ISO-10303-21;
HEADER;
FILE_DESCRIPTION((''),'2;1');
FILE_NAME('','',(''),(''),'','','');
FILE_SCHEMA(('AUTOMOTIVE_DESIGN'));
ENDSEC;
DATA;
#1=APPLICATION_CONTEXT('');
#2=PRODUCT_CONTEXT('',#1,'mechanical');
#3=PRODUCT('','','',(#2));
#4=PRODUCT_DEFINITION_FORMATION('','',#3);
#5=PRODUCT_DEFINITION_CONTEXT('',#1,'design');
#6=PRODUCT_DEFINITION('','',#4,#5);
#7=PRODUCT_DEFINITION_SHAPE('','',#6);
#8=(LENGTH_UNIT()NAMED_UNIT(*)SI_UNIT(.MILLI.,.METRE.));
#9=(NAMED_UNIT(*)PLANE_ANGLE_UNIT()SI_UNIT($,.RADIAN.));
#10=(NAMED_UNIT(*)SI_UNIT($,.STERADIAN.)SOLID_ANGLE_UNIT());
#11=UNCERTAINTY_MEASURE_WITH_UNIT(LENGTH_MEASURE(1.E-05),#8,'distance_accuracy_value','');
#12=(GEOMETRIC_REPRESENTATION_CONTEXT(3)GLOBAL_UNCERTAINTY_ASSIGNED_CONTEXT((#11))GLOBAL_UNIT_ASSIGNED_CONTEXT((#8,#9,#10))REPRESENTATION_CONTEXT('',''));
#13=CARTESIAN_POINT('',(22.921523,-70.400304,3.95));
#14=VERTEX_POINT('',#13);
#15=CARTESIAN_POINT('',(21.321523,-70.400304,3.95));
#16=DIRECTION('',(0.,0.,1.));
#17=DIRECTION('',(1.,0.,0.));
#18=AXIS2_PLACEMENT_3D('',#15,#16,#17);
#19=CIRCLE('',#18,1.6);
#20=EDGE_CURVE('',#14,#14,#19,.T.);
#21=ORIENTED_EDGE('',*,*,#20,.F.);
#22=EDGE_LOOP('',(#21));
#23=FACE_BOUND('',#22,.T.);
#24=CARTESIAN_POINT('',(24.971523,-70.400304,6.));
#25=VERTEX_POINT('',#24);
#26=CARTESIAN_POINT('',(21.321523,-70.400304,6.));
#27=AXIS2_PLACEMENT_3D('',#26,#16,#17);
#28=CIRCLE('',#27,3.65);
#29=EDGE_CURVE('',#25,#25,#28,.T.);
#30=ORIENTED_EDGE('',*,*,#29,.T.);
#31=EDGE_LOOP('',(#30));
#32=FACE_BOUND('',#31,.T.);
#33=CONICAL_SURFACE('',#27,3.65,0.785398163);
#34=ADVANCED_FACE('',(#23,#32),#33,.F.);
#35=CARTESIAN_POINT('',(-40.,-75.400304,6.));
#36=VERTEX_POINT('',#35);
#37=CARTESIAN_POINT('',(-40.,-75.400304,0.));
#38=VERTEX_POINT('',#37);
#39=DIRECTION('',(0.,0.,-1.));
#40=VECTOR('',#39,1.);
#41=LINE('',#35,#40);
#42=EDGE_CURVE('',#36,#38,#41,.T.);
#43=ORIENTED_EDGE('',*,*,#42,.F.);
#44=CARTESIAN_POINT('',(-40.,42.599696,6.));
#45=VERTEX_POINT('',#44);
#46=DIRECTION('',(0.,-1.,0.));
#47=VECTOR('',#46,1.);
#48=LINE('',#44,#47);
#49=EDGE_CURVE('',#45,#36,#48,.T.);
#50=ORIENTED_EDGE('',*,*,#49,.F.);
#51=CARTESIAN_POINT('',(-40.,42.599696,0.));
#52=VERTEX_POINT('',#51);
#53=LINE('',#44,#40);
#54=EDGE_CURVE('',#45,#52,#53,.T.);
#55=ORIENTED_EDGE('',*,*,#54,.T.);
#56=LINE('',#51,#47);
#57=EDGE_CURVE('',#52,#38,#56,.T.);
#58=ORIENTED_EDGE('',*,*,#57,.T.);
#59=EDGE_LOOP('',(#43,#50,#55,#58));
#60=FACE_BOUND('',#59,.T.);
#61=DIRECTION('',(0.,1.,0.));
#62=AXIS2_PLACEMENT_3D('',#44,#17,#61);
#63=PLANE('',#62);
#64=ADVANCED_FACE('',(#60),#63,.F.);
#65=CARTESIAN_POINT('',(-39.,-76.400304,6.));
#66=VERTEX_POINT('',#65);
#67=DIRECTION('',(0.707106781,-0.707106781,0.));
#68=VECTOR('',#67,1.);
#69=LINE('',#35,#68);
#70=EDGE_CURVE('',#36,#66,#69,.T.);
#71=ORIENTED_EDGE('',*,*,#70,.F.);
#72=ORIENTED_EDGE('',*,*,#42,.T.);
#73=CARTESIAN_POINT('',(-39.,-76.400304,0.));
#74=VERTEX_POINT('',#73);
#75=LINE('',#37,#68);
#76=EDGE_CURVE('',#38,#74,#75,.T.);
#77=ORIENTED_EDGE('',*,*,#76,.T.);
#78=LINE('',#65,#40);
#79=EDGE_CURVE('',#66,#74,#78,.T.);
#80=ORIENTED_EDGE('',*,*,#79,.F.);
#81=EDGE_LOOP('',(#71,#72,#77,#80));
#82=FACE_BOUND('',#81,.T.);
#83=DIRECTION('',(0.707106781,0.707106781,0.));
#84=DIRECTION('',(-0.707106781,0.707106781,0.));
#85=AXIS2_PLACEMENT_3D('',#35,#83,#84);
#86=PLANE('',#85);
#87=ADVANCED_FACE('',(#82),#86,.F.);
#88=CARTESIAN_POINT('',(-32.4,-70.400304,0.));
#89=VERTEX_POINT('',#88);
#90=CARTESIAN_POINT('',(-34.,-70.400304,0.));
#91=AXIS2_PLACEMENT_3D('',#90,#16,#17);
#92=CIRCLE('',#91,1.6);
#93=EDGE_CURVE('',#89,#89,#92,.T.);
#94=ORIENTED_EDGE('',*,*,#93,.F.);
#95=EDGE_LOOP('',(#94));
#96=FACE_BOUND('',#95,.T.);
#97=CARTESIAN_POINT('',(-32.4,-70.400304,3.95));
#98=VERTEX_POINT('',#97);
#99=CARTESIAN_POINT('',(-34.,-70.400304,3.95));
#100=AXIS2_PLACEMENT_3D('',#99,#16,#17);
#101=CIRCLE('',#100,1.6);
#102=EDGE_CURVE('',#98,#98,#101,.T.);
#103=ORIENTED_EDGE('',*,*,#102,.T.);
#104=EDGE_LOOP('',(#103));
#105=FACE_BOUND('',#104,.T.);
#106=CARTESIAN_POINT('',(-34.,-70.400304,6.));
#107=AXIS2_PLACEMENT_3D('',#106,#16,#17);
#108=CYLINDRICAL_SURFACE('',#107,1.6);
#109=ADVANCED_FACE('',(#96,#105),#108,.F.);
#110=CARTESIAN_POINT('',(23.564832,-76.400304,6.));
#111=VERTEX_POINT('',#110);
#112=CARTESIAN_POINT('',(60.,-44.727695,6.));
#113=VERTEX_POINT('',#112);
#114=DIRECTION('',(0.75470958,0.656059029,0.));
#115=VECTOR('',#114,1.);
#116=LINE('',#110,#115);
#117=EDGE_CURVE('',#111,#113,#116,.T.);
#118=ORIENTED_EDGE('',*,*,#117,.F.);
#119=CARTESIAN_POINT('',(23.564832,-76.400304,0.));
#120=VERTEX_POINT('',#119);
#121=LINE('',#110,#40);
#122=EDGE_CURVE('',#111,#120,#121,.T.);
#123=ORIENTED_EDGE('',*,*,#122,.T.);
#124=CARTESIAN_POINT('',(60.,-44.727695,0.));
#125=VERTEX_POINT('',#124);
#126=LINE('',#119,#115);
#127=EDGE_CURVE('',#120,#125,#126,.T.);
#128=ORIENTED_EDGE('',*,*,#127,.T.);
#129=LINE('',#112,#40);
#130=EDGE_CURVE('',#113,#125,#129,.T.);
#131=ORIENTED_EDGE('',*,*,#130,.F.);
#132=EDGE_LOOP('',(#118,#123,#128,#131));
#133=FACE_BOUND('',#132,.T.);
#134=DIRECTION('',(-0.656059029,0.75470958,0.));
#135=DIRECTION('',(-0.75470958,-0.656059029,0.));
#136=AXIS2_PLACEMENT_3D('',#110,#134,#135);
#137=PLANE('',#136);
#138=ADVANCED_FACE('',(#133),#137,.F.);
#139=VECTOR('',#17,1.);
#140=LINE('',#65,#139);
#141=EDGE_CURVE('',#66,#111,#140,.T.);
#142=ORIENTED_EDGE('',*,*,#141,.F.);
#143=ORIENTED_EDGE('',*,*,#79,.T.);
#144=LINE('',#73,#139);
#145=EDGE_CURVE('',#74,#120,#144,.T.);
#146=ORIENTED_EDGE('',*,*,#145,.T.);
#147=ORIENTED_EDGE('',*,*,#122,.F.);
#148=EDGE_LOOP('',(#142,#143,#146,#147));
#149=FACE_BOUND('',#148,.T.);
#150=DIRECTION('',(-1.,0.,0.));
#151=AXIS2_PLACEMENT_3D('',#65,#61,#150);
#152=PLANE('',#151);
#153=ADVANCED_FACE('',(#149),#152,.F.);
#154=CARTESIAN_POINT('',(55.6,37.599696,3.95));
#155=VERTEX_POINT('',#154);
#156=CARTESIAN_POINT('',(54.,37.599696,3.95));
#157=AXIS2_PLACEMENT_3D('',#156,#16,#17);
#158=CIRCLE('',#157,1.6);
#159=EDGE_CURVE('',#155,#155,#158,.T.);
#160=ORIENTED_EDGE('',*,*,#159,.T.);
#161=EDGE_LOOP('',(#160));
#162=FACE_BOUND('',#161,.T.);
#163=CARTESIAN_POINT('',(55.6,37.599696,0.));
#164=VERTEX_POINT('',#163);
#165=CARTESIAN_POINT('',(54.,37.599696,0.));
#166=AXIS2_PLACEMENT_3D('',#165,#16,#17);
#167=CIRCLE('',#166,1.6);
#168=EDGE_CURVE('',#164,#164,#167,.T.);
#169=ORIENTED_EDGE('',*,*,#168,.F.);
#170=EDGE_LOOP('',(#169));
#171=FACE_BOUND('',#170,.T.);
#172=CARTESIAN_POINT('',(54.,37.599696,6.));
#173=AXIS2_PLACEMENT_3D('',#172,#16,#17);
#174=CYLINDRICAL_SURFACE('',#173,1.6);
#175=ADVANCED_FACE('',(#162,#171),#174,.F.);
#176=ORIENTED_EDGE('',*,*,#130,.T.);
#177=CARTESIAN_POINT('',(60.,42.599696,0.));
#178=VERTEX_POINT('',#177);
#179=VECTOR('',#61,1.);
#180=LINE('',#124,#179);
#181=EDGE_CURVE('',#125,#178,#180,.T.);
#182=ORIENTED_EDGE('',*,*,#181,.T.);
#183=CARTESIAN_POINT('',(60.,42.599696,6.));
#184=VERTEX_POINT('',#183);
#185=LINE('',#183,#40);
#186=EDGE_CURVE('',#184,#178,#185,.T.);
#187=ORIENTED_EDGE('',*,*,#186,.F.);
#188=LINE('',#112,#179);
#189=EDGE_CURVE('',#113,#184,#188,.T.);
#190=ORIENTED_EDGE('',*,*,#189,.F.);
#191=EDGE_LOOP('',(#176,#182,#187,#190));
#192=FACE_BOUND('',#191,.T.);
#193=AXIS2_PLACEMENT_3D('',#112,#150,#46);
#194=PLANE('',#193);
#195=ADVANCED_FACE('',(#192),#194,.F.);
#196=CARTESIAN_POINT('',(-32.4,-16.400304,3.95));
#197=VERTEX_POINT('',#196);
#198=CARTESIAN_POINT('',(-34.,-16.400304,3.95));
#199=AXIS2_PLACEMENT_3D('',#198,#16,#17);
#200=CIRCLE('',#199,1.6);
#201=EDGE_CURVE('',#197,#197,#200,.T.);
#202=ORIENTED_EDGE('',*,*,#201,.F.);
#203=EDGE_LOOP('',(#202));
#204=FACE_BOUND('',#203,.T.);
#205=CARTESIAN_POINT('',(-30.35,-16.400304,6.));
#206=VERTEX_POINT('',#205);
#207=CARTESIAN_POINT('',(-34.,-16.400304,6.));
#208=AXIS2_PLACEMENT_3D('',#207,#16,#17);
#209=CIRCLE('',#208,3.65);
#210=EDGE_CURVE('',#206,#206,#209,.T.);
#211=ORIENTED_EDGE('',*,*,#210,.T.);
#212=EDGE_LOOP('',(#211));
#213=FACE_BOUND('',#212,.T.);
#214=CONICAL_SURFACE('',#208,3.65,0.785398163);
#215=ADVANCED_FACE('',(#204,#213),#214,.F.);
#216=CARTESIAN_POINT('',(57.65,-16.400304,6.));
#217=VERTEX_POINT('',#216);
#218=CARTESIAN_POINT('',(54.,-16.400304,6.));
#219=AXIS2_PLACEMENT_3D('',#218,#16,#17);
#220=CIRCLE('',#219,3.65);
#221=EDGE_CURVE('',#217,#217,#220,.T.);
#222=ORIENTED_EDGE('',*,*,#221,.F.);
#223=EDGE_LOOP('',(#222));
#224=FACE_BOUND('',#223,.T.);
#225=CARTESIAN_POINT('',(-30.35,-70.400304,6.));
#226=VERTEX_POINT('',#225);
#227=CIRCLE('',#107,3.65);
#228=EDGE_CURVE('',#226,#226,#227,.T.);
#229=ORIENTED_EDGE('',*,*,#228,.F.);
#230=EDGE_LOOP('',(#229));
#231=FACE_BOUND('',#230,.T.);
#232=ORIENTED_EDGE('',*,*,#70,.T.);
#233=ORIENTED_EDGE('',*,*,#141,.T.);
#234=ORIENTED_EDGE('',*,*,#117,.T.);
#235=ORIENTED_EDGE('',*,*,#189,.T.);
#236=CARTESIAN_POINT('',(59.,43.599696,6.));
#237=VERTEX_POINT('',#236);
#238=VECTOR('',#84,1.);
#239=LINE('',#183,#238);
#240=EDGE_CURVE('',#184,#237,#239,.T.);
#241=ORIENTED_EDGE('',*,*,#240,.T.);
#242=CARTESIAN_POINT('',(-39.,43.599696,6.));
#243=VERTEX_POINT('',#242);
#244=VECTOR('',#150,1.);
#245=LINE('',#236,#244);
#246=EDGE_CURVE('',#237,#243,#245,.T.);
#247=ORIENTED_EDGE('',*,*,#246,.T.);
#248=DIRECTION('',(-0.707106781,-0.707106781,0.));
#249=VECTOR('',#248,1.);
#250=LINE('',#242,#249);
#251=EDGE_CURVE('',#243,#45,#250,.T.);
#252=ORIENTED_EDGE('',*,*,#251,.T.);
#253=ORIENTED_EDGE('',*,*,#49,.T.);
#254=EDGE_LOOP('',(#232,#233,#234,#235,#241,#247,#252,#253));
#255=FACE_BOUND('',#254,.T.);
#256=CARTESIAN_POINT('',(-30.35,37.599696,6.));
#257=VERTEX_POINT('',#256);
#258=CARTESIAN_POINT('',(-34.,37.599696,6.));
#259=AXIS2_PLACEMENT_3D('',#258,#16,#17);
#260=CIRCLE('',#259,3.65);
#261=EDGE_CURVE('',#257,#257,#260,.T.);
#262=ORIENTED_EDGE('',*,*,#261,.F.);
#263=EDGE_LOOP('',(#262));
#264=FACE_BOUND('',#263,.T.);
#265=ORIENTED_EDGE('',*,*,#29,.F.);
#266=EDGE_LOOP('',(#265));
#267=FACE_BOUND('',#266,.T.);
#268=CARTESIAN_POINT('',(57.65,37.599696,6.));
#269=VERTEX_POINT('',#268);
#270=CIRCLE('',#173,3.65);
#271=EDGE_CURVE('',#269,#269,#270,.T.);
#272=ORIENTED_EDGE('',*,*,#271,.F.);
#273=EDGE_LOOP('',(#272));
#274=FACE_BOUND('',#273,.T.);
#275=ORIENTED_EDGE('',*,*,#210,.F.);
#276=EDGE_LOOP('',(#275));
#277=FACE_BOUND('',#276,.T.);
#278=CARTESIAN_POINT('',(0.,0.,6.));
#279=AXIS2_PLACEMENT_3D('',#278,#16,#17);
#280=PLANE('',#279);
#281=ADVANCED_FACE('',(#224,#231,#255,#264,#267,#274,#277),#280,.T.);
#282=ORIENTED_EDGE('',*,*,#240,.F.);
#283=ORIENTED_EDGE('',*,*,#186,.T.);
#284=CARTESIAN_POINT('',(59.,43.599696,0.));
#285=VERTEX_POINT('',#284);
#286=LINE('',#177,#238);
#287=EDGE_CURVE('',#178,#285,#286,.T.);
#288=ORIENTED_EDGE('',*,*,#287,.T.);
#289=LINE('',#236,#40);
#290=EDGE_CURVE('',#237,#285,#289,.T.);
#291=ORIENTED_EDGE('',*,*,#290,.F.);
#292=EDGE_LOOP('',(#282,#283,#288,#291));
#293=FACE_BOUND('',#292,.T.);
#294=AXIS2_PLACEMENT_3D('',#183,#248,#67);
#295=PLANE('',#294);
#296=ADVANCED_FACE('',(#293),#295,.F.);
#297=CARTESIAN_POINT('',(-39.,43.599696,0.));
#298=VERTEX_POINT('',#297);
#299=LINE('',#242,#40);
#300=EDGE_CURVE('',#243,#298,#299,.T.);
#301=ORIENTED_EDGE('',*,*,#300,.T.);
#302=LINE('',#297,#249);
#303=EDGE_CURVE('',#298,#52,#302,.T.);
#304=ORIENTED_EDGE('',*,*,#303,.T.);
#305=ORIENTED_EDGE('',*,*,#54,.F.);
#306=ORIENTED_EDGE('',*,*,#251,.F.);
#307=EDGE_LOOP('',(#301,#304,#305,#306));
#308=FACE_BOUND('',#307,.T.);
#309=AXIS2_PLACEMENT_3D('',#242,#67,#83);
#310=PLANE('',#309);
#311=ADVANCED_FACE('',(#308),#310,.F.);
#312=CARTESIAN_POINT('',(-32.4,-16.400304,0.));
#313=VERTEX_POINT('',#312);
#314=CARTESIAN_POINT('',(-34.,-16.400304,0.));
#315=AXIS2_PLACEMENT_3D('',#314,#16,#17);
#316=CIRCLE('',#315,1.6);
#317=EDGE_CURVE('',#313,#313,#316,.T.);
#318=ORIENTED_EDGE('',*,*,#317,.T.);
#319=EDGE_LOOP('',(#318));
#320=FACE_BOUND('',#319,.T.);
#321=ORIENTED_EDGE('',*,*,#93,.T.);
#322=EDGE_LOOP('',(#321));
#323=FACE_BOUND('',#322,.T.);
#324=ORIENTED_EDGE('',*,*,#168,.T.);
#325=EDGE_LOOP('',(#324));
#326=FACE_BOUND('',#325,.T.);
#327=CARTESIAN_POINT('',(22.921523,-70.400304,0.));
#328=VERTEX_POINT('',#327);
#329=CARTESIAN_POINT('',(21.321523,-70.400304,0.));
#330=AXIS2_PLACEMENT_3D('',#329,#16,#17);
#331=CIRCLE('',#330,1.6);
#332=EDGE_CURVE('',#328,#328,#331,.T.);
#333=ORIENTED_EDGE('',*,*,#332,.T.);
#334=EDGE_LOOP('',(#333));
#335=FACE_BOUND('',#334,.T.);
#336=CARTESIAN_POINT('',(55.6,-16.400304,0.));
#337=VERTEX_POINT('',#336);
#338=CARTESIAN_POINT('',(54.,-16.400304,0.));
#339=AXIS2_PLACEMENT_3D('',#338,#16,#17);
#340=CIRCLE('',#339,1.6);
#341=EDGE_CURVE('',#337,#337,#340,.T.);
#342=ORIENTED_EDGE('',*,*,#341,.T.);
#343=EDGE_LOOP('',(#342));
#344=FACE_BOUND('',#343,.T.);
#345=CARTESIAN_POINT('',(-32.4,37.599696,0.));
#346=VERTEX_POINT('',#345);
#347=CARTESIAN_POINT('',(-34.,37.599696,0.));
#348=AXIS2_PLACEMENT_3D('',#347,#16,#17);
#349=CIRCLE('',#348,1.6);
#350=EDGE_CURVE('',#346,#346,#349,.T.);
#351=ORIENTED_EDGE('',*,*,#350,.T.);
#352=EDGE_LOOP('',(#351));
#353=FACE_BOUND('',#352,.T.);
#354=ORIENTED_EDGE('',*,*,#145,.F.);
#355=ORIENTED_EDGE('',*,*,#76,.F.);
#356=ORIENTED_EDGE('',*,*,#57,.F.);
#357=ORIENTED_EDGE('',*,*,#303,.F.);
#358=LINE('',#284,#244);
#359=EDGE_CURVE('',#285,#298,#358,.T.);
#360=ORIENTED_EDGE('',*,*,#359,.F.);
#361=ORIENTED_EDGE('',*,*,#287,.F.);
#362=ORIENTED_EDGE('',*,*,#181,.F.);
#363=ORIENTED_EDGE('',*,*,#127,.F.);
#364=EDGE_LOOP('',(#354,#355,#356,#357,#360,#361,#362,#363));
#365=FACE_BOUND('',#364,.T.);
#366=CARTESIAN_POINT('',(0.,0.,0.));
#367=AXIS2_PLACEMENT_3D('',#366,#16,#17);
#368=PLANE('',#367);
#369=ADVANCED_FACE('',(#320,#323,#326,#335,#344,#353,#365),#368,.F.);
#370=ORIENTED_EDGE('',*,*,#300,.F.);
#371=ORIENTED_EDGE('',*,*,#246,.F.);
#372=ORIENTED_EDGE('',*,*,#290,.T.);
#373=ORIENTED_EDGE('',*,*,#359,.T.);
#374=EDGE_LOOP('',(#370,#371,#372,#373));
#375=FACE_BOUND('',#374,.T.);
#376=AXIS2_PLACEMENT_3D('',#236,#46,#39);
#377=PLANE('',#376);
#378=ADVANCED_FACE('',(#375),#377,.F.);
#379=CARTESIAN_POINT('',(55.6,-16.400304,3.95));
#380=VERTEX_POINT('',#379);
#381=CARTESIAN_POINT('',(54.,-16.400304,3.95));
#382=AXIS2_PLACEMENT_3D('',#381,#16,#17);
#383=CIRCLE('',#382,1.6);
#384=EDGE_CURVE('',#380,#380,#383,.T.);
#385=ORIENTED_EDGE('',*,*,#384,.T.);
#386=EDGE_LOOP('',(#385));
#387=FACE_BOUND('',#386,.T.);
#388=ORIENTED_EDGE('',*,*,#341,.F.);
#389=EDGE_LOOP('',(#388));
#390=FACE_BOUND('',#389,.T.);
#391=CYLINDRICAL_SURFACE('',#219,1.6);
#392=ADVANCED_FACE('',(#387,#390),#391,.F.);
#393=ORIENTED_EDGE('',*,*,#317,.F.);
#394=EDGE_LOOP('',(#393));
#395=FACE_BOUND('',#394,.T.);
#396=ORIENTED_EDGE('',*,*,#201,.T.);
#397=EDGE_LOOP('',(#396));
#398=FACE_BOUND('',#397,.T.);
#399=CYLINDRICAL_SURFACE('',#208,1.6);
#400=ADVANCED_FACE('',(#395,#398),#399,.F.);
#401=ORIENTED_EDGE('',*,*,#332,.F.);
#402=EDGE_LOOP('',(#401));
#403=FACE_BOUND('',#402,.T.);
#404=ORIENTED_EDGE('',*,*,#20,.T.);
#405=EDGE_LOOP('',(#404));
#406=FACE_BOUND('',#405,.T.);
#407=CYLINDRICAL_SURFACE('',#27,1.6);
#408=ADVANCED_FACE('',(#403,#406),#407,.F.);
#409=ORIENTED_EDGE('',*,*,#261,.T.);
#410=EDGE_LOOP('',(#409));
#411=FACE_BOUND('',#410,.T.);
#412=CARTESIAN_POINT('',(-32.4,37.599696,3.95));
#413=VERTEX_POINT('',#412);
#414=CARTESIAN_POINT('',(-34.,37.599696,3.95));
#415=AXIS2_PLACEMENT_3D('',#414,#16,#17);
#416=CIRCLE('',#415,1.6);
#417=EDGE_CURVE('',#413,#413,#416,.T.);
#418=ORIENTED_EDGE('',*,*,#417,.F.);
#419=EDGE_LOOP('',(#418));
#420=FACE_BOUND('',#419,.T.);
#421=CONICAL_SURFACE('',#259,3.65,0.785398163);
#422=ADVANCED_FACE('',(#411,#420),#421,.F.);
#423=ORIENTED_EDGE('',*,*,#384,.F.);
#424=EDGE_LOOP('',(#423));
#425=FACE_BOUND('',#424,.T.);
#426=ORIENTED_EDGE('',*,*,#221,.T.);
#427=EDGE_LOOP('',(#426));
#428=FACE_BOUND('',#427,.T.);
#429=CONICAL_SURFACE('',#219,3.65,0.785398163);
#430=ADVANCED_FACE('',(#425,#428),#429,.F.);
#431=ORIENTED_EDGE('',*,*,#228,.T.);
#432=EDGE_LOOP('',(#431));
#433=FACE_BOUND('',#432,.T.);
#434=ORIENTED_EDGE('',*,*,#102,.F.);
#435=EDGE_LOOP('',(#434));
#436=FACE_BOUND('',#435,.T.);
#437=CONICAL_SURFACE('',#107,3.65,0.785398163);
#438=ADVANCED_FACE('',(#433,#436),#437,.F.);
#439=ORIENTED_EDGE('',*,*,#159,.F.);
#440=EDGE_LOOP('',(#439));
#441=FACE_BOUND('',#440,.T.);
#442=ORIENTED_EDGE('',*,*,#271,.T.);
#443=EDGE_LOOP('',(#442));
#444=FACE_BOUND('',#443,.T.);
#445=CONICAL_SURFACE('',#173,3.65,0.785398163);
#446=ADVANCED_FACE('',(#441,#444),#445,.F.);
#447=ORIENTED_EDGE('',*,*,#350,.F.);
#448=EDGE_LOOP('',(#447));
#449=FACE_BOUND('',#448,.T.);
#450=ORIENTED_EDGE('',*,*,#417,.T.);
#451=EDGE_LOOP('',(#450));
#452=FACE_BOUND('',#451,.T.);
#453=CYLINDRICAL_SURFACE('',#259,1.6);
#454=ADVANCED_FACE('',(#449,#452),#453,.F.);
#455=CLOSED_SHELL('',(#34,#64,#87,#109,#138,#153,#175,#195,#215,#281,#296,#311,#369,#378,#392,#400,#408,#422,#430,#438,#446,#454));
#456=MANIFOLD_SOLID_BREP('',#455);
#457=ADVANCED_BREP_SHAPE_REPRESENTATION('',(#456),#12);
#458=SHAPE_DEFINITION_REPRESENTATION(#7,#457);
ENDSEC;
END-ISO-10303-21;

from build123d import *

# Parameters (mm, degrees)
BOSS_EXTRUDE1_DEPTH                                 = 6
CSK_FOR_M3_COUNTERSUNK_FLAT_HEAD_SCREW1_D           = 3.2
CSK_FOR_M3_COUNTERSUNK_FLAT_HEAD_SCREW1_CSINK_D     = 7.3
CSK_FOR_M3_COUNTERSUNK_FLAT_HEAD_SCREW1_CSINK_ANGLE = 90


with BuildPart() as part:
    # Sketch1 → Boss-Extrude1 (new body)
    with BuildSketch(Plane.XY):
        Polygon((-40, 42.599696279), (-40, -75.400303721), (-39, -76.400303721), (23.564831516, -76.400303721), (60, -44.727694967), (60, 42.599696279), (59, 43.599696279), (-39, 43.599696279), align=None)
    extrude(amount=BOSS_EXTRUDE1_DEPTH)

    # CSK for M3 Countersunk Flat Head Screw1 (through all)
    with Locations(Plane(origin=(-34, 37.599696279, 6), x_dir=(1, 0, 0), z_dir=(0, 0, 1))):
        with Locations((0, 0), (88, 0), (88, -54), (0, -54), (0, -108), (55.321523439, -108)):
            CounterSinkHole(CSK_FOR_M3_COUNTERSUNK_FLAT_HEAD_SCREW1_D / 2, CSK_FOR_M3_COUNTERSUNK_FLAT_HEAD_SCREW1_CSINK_D / 2, counter_sink_angle=CSK_FOR_M3_COUNTERSUNK_FLAT_HEAD_SCREW1_CSINK_ANGLE)


solid = part.part
